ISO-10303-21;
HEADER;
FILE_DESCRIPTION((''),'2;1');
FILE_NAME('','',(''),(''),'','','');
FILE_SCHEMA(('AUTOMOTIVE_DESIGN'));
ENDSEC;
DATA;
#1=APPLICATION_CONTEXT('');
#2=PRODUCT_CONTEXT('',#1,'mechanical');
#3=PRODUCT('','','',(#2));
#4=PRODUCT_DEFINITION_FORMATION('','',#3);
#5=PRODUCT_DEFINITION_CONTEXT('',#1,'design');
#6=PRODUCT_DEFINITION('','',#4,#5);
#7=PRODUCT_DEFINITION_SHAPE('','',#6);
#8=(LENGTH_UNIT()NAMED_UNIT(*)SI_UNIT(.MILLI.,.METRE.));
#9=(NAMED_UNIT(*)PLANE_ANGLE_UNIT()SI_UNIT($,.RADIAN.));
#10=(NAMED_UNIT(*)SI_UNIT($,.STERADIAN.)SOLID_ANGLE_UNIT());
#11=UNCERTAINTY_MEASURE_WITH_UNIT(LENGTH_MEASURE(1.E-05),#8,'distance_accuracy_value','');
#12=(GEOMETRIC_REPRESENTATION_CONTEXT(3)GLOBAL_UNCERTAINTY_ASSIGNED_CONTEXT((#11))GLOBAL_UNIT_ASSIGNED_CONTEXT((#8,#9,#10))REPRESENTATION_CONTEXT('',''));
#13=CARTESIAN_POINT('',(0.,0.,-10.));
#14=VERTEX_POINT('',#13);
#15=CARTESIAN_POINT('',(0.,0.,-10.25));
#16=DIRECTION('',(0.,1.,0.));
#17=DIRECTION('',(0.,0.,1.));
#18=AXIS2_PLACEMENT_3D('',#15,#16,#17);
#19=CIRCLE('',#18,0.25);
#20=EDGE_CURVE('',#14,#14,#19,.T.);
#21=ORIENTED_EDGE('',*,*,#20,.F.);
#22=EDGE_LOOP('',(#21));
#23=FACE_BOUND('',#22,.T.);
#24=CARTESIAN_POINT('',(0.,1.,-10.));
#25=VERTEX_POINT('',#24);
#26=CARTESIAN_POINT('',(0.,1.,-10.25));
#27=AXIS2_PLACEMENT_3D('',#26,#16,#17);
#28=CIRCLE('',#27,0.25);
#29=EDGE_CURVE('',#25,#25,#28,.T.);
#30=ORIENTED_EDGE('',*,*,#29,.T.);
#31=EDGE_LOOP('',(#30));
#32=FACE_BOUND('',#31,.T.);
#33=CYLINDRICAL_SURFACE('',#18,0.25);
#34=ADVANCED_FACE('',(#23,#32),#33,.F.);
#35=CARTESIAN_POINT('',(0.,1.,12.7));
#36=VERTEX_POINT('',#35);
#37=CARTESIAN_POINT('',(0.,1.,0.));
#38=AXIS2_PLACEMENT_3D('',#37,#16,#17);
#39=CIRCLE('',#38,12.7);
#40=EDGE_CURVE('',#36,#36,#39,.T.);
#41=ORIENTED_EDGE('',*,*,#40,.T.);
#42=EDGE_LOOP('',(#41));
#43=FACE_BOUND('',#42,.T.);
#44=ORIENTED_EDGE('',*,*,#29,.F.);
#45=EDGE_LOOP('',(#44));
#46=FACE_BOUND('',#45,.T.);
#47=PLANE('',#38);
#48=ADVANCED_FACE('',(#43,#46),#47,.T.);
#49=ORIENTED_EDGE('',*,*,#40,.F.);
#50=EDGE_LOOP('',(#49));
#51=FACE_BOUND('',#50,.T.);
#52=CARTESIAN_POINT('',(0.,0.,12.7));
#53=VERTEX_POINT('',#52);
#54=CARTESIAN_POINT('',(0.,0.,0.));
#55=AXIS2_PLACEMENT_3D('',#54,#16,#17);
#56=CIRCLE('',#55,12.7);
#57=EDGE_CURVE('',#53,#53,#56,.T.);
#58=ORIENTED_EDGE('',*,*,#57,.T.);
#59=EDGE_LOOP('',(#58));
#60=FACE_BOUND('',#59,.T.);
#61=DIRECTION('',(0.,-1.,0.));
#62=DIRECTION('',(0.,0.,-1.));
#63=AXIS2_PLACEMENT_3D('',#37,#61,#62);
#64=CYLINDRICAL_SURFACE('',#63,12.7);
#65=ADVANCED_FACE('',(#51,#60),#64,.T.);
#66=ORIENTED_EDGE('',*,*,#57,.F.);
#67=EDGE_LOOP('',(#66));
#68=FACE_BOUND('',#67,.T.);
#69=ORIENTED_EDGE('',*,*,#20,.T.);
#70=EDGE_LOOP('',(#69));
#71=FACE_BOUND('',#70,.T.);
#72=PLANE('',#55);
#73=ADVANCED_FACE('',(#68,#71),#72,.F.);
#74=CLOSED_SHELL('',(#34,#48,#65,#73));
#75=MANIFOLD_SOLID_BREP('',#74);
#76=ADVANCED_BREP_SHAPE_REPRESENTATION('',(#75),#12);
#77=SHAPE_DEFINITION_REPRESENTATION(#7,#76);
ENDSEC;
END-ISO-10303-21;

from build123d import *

# Parameters (mm, degrees)
SKETCH1_R               = 12.7
BOSS_EXTRUDE1_DEPTH     = 1
CUT_EXTRUDE3_DEPTH      = 18.98832955
CUT_EXTRUDE3_DEPTH_BACK = 18.98832955
SKETCH4_R               = 0.25


with BuildPart() as part:
    # Sketch1 → Boss-Extrude1 (new body)
    with BuildSketch(Plane(origin=(0, 0, 0), x_dir=(1, 0, 0), z_dir=(0, 1, 0))):
        with Locations(Location((0, 0, 0), (0, 0, 270))):
            Circle(SKETCH1_R)
    extrude(amount=BOSS_EXTRUDE1_DEPTH)

    # Sketch4 → Cut-Extrude3 (cut, two sides: drawn at the far end of the back side and taken through both)
    with BuildSketch(Plane(origin=(0, 1, 0), x_dir=(1, 0, 0), z_dir=(0, 1, 0)).offset(-CUT_EXTRUDE3_DEPTH_BACK)):
        with Locations(Location((0, 10.25, 0), (0, 0, 270))):
            Circle(SKETCH4_R)
    extrude(amount=CUT_EXTRUDE3_DEPTH + CUT_EXTRUDE3_DEPTH_BACK, mode=Mode.SUBTRACT)


solid = part.part
